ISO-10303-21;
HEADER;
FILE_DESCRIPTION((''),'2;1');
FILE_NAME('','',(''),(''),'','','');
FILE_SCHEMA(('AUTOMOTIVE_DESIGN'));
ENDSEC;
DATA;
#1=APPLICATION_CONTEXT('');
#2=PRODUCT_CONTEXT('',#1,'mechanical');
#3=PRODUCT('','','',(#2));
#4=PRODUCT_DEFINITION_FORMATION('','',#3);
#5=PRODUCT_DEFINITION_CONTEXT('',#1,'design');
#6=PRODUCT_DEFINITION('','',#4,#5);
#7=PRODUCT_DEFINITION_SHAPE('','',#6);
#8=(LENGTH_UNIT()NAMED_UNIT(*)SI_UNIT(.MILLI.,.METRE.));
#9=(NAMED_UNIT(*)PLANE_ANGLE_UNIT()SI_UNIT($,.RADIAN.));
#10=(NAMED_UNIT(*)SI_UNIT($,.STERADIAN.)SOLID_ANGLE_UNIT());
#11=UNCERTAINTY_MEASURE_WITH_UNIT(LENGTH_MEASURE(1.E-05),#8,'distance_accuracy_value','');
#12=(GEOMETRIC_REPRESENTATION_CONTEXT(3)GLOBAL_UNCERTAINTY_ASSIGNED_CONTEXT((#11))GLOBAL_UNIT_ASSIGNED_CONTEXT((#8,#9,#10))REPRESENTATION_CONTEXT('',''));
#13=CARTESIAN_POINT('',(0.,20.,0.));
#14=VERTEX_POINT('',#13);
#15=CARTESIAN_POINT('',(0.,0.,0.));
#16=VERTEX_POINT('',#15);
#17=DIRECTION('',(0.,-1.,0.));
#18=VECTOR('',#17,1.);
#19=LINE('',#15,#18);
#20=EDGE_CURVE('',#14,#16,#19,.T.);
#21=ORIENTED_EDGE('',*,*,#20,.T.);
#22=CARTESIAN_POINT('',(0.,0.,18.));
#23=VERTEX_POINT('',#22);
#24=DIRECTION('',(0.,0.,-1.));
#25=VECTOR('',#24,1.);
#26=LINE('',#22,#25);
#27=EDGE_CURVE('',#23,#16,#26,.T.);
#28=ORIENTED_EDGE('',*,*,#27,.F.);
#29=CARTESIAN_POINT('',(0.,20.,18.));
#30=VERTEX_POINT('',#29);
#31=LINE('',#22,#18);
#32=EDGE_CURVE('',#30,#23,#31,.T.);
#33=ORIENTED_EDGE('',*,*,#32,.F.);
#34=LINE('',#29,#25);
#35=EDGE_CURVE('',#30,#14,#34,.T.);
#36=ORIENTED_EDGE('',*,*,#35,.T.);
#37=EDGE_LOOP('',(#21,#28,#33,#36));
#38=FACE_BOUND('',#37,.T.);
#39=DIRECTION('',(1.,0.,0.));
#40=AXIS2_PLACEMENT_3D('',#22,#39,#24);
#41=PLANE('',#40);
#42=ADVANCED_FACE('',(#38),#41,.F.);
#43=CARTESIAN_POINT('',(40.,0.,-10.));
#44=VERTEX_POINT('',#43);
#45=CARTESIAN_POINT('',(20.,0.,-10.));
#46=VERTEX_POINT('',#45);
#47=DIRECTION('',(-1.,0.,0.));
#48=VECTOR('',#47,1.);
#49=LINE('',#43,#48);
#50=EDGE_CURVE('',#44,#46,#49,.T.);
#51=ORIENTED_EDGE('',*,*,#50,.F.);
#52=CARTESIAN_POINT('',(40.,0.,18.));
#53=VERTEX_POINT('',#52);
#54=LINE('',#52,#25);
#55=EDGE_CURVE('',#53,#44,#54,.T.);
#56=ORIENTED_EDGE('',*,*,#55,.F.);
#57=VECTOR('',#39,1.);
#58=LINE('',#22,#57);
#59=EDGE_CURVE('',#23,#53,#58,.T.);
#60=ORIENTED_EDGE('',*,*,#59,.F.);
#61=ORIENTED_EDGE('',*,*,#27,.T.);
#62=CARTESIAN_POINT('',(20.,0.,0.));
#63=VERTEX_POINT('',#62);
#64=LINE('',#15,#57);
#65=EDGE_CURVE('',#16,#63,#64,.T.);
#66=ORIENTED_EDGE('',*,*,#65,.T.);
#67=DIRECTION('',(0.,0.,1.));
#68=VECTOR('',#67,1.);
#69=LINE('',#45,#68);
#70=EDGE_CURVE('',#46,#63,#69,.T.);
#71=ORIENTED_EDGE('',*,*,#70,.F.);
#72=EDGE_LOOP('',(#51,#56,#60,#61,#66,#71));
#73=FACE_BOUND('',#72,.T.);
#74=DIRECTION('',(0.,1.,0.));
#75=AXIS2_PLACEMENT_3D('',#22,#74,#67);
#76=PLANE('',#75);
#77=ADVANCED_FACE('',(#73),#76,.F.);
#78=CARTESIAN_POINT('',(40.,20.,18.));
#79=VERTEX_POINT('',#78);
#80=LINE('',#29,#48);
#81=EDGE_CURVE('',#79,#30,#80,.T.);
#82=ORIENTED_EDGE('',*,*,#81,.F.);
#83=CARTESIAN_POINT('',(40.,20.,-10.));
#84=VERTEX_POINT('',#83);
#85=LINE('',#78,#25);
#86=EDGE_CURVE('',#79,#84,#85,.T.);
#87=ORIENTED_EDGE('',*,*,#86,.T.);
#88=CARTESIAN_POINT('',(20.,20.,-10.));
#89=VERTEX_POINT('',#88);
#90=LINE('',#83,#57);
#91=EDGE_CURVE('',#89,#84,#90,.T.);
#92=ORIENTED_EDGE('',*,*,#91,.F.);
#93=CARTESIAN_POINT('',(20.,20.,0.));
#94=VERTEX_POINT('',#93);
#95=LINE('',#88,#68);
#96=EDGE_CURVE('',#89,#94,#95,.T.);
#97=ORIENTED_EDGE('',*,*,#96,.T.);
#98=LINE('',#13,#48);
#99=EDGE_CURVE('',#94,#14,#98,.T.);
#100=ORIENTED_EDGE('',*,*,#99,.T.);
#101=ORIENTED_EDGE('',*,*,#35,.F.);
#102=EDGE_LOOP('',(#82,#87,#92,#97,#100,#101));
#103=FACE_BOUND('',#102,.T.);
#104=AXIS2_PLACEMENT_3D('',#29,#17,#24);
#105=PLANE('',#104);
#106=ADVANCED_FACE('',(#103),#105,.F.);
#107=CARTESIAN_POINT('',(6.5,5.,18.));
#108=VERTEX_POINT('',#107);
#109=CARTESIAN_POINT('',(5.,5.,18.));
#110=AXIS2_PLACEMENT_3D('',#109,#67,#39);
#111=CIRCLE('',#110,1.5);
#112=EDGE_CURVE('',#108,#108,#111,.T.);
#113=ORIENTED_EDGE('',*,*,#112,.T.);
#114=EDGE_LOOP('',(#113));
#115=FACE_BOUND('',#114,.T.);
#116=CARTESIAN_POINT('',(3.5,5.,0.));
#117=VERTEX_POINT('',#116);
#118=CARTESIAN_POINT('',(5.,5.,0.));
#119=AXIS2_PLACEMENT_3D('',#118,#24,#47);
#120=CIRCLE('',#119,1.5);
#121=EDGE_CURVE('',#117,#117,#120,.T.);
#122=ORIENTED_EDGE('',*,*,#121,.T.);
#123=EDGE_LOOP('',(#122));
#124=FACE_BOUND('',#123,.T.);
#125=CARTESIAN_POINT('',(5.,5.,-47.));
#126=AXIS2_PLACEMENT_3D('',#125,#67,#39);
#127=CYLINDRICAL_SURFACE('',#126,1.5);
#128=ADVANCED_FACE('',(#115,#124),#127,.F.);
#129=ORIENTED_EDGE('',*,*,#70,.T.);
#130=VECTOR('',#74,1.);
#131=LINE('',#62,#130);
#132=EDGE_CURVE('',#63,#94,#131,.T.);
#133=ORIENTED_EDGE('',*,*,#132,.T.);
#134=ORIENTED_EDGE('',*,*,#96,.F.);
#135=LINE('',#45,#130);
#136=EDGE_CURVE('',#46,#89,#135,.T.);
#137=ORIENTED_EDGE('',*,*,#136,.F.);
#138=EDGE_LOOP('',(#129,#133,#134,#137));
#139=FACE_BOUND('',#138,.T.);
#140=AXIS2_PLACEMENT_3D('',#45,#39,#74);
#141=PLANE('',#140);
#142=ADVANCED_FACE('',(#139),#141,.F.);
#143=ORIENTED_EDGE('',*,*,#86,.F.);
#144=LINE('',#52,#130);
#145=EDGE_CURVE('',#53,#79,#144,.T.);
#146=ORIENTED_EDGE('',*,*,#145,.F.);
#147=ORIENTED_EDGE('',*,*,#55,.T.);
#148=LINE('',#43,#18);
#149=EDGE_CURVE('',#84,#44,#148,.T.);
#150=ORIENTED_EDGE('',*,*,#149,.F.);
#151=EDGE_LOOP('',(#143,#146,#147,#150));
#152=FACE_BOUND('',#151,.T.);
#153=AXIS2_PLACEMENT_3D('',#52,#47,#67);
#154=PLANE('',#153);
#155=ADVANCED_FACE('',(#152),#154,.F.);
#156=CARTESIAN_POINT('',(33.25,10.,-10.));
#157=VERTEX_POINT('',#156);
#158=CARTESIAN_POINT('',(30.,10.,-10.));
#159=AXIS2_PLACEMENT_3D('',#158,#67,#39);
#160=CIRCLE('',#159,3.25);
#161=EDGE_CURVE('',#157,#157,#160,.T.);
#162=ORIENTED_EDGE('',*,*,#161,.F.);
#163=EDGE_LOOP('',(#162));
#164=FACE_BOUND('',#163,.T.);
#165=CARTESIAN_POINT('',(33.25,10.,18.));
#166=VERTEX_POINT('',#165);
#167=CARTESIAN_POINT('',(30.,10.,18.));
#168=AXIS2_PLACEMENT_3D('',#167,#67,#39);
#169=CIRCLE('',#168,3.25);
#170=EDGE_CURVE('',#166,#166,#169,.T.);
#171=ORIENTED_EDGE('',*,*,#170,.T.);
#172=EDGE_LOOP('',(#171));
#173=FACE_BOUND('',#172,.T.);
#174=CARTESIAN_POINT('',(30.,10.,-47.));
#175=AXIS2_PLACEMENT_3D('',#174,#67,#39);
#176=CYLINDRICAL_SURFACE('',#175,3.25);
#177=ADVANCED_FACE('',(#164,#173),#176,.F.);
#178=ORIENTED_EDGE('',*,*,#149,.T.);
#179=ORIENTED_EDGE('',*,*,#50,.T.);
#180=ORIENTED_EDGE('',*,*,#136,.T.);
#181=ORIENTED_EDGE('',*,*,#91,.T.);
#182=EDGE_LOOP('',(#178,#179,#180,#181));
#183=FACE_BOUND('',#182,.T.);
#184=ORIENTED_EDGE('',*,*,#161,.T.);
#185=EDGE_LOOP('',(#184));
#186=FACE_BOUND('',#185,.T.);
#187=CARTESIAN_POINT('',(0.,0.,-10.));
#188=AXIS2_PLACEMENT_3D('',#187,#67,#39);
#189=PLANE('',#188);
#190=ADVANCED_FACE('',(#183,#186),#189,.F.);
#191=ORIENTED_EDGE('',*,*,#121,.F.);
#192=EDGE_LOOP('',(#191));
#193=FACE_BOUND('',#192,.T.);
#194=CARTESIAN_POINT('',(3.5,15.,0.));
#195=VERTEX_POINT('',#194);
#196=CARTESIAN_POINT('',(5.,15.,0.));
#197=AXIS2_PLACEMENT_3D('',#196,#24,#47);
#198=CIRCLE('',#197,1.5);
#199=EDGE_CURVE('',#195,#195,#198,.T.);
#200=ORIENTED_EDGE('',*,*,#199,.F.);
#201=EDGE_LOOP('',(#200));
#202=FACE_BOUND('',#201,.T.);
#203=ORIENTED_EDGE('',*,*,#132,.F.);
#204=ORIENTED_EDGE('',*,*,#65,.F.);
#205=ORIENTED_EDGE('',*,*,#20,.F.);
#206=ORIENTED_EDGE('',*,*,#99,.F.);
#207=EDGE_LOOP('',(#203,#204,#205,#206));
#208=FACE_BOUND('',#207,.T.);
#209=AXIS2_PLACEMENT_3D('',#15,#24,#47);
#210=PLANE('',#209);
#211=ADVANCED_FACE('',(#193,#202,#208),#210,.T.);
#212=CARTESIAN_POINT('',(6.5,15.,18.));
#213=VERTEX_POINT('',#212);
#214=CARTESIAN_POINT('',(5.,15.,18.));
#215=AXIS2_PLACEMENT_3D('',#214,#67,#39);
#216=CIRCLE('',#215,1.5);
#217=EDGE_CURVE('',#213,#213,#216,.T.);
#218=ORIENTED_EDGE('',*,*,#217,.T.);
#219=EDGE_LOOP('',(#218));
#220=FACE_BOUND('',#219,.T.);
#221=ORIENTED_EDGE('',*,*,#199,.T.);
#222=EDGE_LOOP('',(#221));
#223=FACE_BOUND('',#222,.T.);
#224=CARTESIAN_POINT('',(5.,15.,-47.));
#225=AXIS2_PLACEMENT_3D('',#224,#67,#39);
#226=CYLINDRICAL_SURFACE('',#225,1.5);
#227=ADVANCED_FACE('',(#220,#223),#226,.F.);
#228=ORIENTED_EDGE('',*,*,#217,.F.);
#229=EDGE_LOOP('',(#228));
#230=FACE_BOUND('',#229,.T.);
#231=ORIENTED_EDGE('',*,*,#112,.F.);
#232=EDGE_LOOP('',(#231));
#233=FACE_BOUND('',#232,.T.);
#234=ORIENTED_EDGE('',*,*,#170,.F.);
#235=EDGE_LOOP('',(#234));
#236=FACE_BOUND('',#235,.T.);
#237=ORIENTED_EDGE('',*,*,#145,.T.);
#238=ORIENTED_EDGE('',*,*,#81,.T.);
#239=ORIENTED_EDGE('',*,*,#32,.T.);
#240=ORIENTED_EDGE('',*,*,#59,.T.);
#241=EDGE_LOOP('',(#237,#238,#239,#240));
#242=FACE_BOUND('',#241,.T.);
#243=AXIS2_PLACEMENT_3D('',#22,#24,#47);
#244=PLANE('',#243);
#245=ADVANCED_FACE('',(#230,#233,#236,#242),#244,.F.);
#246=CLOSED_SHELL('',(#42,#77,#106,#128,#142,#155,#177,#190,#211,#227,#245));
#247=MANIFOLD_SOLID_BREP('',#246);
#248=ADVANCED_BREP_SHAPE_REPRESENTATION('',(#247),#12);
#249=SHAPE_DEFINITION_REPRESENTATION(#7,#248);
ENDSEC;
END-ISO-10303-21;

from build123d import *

# Parameters (mm, degrees)
SKETCH1_W           = 40
SKETCH1_H           = 20
BOSS_EXTRUDE1_DEPTH = 18
SKETCH3_W           = 20
SKETCH3_H           = 20
BOSS_EXTRUDE2_DEPTH = 10
SKETCH2_R           = 3.25
SKETCH2_R_2         = 1.5
CUT_EXTRUDE1_DEPTH  = 65


with BuildPart() as part:
    # Sketch1 → Boss-Extrude1 (new body)
    with BuildSketch(Plane.XY):
        with Locations((20, 10)):
            Rectangle(SKETCH1_W, SKETCH1_H)
    extrude(amount=BOSS_EXTRUDE1_DEPTH)

    # Sketch3 → Boss-Extrude2 (add)
    with BuildSketch(Plane(origin=(0, 0, 0), x_dir=(-1, 0, 0), z_dir=(0, 0, -1))):
        with Locations((-30, 10)):
            Rectangle(SKETCH3_W, SKETCH3_H)
    extrude(amount=BOSS_EXTRUDE2_DEPTH)

    # Sketch2 → Cut-Extrude1 (cut)
    with BuildSketch(Plane.XY.offset(18)):
        with Locations((30, 10)):
            Circle(SKETCH2_R)
        with Locations((5, 15)):
            Circle(SKETCH2_R_2)
        with Locations((5, 5)):
            Circle(SKETCH2_R_2)
    extrude(amount=-CUT_EXTRUDE1_DEPTH, mode=Mode.SUBTRACT)


solid = part.part
